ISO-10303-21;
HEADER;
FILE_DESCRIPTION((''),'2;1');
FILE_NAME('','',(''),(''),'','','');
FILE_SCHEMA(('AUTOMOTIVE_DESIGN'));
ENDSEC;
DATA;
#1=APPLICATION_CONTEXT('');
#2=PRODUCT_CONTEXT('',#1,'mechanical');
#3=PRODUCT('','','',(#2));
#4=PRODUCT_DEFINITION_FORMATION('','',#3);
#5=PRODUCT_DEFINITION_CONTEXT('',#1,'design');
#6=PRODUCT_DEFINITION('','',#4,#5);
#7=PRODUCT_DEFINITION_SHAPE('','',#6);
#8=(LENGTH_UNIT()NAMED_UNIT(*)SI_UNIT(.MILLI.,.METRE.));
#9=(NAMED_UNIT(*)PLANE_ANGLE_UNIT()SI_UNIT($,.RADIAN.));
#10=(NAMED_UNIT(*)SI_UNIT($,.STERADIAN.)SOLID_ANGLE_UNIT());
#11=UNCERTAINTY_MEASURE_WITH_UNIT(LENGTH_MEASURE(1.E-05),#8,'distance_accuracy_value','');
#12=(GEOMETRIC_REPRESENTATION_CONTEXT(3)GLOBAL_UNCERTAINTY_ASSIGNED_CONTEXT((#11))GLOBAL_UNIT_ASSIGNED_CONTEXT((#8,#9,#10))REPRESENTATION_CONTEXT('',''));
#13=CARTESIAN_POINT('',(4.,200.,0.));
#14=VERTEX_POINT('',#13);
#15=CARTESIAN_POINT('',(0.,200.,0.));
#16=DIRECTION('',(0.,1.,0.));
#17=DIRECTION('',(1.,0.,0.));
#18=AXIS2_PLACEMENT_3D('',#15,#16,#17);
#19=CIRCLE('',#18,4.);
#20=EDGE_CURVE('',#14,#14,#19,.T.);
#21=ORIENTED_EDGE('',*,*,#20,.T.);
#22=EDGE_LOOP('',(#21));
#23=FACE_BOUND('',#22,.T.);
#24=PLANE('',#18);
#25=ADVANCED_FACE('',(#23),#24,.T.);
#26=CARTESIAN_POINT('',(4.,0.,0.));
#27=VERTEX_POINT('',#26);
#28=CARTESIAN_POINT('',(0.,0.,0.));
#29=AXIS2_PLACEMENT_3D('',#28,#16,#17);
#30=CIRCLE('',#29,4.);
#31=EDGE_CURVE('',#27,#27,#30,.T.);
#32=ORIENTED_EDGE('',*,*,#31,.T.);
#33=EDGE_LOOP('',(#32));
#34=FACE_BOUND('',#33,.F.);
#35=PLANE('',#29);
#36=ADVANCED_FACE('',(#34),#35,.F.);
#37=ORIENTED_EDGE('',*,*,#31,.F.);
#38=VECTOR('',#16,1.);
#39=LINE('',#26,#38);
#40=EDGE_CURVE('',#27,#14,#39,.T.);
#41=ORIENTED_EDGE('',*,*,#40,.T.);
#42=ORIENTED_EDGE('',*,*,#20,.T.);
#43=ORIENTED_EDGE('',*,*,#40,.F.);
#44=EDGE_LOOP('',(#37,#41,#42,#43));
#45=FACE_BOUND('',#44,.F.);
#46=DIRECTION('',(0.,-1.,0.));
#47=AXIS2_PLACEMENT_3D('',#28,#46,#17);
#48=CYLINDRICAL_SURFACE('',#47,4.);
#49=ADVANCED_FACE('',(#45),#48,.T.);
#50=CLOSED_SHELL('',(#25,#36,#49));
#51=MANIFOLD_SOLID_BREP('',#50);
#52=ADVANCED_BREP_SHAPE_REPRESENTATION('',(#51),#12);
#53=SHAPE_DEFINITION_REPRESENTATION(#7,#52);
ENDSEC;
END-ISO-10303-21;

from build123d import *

# Parameters (mm, degrees)
SKETCH1_R           = 4
BOSS_EXTRUDE1_DEPTH = 200


with BuildPart() as part:
    # Sketch1 → Boss-Extrude1 (new body)
    with BuildSketch(Plane(origin=(0, 0, 0), x_dir=(1, 0, 0), z_dir=(0, 1, 0))):
        Circle(SKETCH1_R)
    extrude(amount=BOSS_EXTRUDE1_DEPTH)


solid = part.part
